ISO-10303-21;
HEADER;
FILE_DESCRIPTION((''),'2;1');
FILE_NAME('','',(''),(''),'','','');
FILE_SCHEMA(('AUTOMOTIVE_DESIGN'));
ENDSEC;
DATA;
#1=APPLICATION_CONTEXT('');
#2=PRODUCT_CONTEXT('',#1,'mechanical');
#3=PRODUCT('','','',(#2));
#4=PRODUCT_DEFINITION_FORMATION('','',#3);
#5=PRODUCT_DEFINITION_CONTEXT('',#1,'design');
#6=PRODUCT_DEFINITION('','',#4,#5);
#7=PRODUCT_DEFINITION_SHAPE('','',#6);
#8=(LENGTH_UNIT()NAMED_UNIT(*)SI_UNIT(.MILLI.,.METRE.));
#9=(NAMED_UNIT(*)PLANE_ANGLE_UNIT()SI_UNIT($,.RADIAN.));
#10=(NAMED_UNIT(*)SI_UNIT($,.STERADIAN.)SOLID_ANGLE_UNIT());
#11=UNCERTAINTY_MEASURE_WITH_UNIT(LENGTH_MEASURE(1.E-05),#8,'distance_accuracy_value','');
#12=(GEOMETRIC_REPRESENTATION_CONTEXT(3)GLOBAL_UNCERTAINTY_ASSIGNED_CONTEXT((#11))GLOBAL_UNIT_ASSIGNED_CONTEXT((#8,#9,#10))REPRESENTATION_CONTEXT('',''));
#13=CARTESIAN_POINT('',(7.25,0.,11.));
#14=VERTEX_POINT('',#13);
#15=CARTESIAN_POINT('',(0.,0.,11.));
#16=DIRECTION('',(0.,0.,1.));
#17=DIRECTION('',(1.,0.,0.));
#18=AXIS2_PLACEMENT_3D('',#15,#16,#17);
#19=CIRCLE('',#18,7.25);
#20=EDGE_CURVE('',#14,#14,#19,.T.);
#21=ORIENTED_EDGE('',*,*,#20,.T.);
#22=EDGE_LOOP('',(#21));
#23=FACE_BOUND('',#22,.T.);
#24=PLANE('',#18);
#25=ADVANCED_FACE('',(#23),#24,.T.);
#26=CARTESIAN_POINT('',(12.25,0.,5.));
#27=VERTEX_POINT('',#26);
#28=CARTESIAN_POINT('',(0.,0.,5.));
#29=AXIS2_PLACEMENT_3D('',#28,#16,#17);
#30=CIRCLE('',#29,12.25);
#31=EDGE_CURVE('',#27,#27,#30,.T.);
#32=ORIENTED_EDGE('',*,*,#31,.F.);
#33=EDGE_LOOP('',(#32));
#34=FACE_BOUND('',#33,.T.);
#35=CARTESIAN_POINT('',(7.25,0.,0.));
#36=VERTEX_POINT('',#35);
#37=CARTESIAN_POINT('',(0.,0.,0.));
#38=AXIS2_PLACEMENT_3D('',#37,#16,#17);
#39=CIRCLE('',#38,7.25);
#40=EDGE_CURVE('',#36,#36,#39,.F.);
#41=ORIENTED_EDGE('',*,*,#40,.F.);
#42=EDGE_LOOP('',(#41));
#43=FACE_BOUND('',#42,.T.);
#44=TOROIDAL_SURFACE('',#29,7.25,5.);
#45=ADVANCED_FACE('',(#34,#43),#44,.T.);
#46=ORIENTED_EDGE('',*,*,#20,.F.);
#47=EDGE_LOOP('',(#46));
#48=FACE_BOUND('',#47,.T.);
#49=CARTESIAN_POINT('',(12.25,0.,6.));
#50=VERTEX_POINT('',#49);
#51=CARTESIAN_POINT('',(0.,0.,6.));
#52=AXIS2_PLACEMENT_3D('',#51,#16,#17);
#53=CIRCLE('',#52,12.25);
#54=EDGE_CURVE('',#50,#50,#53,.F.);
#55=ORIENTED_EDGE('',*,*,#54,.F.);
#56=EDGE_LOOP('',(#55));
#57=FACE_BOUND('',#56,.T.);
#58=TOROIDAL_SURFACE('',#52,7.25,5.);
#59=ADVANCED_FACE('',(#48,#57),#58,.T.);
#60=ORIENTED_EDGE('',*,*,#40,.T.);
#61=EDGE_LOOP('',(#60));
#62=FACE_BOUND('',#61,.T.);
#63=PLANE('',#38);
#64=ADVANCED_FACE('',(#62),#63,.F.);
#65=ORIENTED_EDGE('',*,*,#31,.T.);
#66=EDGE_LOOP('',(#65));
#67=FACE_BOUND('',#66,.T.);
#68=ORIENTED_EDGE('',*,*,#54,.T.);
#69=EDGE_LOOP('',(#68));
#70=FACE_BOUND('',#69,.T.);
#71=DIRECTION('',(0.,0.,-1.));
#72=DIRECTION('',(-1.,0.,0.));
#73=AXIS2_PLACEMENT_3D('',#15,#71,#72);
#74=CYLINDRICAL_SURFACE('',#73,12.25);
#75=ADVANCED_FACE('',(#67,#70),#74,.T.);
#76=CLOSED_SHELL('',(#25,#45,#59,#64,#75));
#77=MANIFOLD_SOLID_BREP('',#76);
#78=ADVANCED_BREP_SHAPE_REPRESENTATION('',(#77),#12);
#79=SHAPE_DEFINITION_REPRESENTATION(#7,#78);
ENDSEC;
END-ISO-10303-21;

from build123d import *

# Parameters (mm, degrees)
ESQUISSE1_R      = 12.25
EXTRUSION1_DEPTH = 11
CONG_1_R         = 5


with BuildPart() as part:
    # Esquisse1 → Extrusion1 (new body)
    with BuildSketch(Plane.XY):
        Circle(ESQUISSE1_R)
    extrude(amount=EXTRUSION1_DEPTH)

    # Congé1
    cong_1_edges = [part.edges().sort_by_distance(p)[0] for p in [
        (-12.25, 0, 0),
        (-12.25, 0, 11),
    ]]
    fillet(cong_1_edges, radius=CONG_1_R)


solid = part.part
